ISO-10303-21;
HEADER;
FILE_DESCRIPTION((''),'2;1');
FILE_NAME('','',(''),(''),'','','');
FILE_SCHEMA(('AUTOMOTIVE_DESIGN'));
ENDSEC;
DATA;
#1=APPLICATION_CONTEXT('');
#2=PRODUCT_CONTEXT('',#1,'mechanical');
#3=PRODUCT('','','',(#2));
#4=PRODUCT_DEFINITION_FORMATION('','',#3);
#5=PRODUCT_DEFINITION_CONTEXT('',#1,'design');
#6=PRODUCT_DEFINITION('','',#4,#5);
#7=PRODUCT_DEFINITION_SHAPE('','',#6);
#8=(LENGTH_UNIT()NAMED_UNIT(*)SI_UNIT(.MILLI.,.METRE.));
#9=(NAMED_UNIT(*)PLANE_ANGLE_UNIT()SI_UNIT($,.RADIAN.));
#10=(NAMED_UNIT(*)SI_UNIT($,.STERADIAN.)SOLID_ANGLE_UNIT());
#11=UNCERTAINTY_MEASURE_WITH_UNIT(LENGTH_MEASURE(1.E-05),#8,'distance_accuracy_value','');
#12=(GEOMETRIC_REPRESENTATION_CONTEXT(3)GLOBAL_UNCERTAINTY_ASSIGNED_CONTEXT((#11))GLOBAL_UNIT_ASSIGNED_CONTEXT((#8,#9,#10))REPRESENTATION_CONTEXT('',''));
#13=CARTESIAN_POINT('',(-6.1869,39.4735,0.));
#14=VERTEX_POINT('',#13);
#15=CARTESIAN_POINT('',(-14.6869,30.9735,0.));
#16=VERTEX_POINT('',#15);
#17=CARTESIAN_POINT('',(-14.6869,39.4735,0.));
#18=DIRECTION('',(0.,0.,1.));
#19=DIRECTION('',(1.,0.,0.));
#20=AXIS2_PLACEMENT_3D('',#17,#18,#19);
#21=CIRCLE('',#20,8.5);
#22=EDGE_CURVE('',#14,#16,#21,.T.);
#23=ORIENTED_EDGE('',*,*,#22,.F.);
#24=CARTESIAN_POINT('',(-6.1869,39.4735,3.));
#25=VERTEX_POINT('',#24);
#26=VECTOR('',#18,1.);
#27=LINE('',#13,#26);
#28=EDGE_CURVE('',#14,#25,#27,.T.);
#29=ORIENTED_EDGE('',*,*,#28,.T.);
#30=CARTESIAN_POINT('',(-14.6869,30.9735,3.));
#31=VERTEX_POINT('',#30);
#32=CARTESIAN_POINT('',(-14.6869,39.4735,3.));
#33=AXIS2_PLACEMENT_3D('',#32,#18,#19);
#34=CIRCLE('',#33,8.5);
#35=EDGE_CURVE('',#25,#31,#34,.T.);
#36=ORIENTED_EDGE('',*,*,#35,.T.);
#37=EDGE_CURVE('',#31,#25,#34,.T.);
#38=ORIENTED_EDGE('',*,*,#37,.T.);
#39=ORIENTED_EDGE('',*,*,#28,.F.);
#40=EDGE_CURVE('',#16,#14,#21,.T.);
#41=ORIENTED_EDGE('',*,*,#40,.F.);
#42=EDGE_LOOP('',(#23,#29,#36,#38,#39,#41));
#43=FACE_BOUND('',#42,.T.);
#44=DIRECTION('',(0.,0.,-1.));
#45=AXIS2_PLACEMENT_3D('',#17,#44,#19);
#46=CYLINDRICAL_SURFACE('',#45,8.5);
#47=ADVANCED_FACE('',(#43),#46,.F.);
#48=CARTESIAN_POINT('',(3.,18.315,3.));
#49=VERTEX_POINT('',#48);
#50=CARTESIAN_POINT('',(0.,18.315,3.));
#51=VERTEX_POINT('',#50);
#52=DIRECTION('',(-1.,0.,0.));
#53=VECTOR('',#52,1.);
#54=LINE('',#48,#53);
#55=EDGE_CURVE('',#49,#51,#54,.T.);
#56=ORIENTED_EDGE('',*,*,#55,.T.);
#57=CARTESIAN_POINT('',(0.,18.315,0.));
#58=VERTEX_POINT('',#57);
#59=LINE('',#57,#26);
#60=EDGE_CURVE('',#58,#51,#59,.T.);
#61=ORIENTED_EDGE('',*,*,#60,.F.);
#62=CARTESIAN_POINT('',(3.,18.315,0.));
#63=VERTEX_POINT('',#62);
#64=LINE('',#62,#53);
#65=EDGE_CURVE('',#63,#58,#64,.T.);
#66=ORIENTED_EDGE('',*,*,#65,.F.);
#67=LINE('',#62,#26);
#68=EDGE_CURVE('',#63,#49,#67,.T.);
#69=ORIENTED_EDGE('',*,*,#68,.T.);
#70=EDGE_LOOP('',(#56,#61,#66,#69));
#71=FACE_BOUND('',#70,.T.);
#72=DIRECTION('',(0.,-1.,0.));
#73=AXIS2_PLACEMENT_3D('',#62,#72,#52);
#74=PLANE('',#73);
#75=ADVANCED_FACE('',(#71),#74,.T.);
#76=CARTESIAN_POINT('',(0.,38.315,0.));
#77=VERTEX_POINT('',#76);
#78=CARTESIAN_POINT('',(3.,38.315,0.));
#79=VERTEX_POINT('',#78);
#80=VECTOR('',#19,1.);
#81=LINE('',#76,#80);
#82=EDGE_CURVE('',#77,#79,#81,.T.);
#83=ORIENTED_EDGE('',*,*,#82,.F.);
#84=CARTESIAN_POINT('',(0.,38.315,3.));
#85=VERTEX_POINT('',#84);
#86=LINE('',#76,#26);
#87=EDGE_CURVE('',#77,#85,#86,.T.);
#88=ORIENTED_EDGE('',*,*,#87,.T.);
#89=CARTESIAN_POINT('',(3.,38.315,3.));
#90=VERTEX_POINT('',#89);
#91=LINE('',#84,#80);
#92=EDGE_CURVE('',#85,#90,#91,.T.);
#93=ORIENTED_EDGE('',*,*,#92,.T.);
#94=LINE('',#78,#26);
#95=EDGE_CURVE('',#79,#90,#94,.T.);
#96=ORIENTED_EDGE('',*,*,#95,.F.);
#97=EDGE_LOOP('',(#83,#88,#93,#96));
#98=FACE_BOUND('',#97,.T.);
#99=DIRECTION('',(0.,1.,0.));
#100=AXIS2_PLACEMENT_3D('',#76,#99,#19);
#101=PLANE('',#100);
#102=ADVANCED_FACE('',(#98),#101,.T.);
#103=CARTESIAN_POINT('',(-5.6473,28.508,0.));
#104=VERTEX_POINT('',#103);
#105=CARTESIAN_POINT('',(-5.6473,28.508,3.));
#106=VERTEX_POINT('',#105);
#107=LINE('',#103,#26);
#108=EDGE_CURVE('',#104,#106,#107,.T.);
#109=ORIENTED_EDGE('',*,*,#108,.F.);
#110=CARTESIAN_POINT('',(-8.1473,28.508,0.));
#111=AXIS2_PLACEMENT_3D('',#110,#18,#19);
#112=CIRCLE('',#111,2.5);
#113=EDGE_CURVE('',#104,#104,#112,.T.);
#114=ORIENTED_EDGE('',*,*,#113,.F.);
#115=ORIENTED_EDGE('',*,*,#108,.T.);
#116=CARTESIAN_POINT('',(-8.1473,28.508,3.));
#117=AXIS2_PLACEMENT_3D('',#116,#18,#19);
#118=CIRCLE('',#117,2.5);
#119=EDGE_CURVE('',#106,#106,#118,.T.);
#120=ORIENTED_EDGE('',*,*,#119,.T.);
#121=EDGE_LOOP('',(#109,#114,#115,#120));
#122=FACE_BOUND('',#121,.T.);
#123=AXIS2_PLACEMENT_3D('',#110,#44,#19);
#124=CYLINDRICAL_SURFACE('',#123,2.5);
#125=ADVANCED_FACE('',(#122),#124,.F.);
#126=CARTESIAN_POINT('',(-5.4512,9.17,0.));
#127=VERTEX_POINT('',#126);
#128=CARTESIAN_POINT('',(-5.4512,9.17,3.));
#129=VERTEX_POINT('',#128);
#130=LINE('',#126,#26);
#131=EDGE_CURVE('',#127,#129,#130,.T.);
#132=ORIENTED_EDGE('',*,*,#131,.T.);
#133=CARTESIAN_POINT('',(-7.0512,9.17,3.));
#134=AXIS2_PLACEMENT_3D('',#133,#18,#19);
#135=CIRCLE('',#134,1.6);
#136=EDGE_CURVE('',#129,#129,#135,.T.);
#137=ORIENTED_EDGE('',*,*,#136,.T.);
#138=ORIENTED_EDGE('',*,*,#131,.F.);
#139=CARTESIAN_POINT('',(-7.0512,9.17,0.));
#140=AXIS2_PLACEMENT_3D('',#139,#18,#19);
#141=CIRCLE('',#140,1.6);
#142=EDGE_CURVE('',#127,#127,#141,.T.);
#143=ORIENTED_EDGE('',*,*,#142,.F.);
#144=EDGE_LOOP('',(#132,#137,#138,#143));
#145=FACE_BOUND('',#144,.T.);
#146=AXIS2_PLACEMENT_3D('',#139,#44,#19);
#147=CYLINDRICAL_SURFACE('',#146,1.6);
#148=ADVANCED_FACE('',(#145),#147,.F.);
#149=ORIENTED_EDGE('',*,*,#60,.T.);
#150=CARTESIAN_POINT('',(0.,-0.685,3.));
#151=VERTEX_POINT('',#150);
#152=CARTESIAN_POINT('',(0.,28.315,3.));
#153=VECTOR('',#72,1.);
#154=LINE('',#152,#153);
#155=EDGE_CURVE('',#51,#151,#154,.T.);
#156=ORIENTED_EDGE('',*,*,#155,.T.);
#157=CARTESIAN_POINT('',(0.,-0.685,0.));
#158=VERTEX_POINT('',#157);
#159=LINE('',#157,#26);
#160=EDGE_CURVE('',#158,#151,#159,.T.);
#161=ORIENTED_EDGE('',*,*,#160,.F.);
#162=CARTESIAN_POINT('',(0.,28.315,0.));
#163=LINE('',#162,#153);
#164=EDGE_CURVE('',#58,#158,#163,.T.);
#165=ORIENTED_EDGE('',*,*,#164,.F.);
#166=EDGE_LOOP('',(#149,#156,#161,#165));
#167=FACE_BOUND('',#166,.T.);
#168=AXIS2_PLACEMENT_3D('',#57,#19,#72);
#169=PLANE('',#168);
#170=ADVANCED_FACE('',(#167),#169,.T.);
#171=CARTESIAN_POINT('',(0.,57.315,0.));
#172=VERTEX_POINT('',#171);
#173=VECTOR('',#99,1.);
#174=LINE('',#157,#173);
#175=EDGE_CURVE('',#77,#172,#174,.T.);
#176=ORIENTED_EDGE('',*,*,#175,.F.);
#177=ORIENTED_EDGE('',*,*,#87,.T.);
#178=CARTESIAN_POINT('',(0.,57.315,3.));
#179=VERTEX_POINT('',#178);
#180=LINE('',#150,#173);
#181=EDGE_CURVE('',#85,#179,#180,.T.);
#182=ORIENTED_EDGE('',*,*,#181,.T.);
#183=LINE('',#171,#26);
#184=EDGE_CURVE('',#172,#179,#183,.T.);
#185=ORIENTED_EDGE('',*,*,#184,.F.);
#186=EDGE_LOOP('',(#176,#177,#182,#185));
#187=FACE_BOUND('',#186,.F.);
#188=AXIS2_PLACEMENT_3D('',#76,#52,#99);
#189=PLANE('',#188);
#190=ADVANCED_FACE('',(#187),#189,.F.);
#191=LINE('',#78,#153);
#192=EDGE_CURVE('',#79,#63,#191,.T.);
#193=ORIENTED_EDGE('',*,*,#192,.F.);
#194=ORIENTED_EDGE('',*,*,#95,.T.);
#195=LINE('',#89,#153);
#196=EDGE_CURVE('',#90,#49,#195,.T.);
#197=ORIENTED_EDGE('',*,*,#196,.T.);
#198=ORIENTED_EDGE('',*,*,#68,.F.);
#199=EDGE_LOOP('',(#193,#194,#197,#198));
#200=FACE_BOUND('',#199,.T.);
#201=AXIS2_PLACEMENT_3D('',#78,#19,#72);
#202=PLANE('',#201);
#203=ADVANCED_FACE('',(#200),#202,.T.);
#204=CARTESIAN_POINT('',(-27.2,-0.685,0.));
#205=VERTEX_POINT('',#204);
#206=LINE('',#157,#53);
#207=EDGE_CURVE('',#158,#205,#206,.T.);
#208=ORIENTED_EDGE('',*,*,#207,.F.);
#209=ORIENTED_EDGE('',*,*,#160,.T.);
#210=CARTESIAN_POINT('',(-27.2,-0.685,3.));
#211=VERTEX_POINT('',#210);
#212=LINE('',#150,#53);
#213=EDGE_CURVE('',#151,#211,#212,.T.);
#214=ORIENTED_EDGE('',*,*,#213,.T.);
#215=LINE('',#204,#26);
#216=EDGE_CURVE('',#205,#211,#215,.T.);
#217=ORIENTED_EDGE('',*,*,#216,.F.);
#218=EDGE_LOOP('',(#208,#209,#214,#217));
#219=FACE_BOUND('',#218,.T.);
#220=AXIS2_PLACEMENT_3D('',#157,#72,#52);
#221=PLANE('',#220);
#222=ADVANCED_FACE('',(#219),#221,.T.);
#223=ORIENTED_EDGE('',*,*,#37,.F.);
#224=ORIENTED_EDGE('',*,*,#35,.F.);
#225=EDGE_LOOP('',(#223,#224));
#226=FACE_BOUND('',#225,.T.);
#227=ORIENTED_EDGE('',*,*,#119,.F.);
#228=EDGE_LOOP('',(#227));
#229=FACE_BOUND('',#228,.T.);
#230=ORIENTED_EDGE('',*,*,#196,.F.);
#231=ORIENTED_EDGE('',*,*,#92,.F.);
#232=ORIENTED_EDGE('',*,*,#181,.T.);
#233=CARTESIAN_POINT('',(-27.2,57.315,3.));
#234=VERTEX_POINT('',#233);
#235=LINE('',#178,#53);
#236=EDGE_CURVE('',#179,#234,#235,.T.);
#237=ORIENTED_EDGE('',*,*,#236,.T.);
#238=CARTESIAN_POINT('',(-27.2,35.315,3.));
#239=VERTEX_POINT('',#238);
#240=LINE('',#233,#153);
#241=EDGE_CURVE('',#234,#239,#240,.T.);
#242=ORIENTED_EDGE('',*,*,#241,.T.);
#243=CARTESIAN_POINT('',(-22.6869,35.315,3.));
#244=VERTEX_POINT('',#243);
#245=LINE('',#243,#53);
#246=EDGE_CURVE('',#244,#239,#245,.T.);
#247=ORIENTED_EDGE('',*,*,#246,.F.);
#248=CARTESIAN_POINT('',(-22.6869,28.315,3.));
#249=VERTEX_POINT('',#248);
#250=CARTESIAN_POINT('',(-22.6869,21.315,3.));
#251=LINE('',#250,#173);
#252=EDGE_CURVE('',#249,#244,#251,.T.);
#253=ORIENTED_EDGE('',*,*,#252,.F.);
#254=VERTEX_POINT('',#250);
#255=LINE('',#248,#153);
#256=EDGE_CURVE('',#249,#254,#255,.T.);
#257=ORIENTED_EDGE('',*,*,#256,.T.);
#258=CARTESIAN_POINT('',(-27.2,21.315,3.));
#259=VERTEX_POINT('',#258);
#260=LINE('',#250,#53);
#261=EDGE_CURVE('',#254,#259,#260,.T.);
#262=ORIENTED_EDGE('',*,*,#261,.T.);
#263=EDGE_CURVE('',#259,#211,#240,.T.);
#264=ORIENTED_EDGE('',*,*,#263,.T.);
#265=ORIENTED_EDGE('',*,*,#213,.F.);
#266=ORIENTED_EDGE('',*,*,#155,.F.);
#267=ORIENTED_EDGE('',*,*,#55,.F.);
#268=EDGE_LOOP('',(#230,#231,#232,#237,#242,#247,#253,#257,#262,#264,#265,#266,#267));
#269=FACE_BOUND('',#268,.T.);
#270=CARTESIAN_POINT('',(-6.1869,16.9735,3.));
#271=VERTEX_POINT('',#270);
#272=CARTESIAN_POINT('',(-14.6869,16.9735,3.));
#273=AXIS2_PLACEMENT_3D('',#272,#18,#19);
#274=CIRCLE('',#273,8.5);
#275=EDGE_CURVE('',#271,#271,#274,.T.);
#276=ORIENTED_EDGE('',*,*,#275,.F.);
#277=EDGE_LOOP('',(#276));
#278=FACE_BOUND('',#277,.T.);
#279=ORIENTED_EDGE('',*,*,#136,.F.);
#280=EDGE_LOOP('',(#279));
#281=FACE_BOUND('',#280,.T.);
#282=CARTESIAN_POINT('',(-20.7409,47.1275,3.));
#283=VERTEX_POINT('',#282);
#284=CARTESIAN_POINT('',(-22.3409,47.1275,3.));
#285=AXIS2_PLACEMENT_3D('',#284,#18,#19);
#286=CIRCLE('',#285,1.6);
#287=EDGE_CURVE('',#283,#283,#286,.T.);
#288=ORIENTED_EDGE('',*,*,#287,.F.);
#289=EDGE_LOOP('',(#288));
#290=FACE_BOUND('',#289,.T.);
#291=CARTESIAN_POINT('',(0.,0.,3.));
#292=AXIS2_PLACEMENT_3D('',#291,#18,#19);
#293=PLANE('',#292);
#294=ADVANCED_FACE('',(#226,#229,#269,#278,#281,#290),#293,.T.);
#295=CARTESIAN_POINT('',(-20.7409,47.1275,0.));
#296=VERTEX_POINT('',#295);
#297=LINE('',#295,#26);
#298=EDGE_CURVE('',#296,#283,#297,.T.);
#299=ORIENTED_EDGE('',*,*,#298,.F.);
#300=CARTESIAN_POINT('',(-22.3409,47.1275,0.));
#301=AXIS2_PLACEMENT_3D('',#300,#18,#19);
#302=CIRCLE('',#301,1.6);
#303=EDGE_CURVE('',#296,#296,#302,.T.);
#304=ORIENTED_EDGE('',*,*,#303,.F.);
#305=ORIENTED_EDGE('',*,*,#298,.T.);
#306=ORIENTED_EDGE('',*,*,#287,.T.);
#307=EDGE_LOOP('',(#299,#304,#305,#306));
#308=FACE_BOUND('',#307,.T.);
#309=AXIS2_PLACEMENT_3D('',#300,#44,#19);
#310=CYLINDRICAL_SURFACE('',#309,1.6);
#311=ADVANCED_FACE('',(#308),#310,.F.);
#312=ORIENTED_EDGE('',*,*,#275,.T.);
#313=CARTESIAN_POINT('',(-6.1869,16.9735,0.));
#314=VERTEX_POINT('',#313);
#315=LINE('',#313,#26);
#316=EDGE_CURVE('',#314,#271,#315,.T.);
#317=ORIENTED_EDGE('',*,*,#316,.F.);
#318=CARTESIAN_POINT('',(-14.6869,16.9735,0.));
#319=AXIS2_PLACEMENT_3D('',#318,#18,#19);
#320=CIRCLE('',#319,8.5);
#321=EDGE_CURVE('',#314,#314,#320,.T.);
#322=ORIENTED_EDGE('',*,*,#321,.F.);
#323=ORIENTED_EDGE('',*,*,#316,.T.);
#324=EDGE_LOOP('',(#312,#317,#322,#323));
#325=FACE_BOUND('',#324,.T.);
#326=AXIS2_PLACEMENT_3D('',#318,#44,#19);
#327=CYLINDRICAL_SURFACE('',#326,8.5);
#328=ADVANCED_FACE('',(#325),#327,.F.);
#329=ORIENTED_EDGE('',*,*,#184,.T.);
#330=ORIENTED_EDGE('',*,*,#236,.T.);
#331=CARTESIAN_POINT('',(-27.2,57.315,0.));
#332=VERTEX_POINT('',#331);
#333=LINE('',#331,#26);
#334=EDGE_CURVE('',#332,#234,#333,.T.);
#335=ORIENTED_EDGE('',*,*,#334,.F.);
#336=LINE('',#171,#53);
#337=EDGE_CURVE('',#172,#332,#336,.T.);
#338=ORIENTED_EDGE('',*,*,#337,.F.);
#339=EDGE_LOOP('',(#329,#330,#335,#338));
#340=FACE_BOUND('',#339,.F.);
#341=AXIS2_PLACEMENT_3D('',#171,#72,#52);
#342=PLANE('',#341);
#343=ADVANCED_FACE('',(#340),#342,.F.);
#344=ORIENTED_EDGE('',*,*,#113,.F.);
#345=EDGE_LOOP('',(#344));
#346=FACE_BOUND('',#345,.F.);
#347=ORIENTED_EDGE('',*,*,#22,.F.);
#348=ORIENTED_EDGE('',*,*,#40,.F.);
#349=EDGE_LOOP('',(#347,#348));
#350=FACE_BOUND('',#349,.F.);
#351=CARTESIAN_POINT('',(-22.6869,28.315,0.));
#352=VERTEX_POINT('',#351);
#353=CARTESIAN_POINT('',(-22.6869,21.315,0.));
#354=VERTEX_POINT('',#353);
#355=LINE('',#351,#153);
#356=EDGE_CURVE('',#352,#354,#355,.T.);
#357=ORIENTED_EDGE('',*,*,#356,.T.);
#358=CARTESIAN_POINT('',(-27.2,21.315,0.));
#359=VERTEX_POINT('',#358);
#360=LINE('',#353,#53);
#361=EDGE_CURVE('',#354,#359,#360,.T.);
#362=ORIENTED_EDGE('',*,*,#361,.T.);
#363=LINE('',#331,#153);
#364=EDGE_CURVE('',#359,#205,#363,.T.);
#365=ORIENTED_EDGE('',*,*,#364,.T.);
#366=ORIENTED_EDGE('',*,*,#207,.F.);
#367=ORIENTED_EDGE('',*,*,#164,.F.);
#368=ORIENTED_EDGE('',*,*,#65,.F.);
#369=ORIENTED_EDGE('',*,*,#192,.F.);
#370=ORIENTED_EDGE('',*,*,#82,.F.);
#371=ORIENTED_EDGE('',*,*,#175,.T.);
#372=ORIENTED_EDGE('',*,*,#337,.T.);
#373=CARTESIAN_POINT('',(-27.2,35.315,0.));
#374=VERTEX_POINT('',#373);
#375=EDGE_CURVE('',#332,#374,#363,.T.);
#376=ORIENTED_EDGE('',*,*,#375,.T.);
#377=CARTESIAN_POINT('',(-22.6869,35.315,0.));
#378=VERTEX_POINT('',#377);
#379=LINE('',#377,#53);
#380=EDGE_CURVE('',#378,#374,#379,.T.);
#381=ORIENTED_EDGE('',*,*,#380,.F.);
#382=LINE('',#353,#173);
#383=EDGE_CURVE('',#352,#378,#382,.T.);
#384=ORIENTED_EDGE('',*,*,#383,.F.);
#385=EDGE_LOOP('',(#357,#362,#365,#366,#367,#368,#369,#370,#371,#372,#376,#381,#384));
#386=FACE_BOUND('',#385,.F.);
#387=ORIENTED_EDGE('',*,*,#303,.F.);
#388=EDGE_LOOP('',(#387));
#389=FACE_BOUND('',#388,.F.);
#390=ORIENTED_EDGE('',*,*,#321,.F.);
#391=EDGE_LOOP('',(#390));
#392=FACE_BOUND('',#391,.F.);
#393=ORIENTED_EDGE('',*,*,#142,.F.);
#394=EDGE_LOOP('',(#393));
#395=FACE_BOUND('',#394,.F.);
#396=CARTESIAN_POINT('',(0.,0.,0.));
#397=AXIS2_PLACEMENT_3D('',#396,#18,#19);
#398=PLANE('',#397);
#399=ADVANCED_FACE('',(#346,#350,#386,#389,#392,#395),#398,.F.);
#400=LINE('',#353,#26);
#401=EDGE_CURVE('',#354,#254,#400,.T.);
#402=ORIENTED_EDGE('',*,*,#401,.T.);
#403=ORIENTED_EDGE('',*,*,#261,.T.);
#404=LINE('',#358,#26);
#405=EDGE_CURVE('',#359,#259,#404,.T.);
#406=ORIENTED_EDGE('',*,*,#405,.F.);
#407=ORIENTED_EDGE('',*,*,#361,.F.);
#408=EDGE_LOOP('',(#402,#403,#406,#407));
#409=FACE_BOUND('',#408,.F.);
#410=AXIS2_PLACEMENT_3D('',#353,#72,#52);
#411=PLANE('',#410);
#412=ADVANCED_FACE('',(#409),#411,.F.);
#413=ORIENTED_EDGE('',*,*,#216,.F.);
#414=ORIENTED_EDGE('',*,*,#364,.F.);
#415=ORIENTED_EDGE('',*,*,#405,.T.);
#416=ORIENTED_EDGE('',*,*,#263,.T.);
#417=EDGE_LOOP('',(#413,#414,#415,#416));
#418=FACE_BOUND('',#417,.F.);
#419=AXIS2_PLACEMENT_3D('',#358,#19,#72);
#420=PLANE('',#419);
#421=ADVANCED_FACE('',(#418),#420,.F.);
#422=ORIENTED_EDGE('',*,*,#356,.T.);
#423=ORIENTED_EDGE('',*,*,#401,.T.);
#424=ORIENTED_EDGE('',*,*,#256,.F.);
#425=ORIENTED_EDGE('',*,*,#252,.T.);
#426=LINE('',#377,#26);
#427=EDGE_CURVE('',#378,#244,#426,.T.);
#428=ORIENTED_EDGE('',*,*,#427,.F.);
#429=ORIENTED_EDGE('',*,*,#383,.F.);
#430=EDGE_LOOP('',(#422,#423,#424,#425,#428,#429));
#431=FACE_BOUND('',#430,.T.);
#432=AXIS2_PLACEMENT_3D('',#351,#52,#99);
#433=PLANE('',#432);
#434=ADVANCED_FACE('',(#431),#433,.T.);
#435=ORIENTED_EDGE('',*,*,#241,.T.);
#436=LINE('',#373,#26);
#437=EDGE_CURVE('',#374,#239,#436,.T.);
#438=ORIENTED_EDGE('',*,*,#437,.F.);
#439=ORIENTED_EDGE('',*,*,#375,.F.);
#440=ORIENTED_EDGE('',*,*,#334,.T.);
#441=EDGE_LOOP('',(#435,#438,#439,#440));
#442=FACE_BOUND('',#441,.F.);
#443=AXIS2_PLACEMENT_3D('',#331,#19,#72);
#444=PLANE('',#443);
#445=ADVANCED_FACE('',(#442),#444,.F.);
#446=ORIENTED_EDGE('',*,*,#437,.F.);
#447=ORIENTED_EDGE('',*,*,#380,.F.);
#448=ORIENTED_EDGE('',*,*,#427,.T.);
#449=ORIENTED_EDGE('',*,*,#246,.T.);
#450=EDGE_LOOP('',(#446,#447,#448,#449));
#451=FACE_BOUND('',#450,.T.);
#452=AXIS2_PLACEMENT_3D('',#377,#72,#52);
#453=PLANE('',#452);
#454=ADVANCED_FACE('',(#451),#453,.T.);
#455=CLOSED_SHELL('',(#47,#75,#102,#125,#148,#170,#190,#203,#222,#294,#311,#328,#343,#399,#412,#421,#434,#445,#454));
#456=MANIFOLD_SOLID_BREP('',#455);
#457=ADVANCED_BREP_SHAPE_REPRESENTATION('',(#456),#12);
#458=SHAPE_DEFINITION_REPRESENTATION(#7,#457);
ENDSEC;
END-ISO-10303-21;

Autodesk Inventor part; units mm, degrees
ref_plane "YZ Plane" through (0, 0, 0) normal (1, 0, 0) x (0, 1, 0)
ref_plane "XZ Plane" through (0, 0, 0) normal (0, 1, 0) x (-1, 0, 0)
ref_plane "XY Plane" through (0, 0, 0) normal (0, 0, 1) x (1, 0, 0)
sketch "Sketch1" plane through (0, 0, 0) normal (0, 0, 1) x (1, 0, 0)
  circle A0 centre (-14.6869, 39.4735) radius 8.5
  circle A1 centre (-22.3409, 47.1275) radius 1.6
  circle A2 centre (-7.0512, 9.17) radius 1.6
  circle A3 centre (-8.1473, 28.508) radius 2.5
  circle A4 centre (-14.6869, 16.9735) radius 8.5
  line L0 (0, 28.315) -> (0, -0.685)
  line L1 (0, -0.685) -> (-27.2, -0.685)
  line L2 (-27.2, -0.685) -> (0, -0.685)
  line L3 (0, -0.685) -> (0, 57.315)
  line L4 (0, 57.315) -> (-27.2, 57.315)
  line L5 (-27.2, 57.315) -> (-27.2, -0.685)
  line L6 (0, 28.315) -> (0, 38.315)
  line L7 (0, 38.315) -> (3, 38.315)
  line L8 (3, 38.315) -> (3, 18.315)
  line L9 (3, 18.315) -> (0, 18.315)
  line L10 (-14.6869, 39.4735) -> (-14.6869, 28.315)
  line L11 (-14.6869, 28.315) -> (-22.6869, 28.315)
  line L12 (-22.6869, 28.315) -> (-22.6869, 21.315)
  line L13 (-22.6869, 21.315) -> (-22.6869, 35.315)
  line L14 (-22.6869, 35.315) -> (-27.2, 35.315)
  line L15 (-22.6869, 21.315) -> (-27.2, 21.315)
  point P0 (0, 0)
  point P1 (-5.6598, 20.3223)
  dimension "d1" = 29
  dimension "d2" = 58
  dimension "d3" = 10
  dimension "d4" = 3
  dimension "d5" = 20
  dimension "d10" = 8
  dimension "d11" = 7
  dimension "d12" = 14
extrude "Extrusion2" add sketch "Sketch1" along normal blind 3 contours L13 L14 L5 L4 L3 L0 L1 L15 L12 | L0 L3 L7 L8 L9
sketch "Sketch2" plane through (0, 0, 3) normal (0, 0, 1) x (1, 0, 0)
  circle A0 centre (-14.6869, 16.9735) radius 8.5 projected
  circle A1 centre (-14.6869, 39.4735) radius 8.5 projected
  circle A2 centre (-8.1473, 28.508) radius 2.5 projected
  circle A3 centre (-7.0512, 9.17) radius 1.6 projected
  circle A4 centre (-22.3409, 47.1275) radius 1.6 projected
  line L0 (0, 18.315) -> (3, 18.315) projected
  line L1 (3, 18.315) -> (3, 38.315) projected
  line L2 (3, 38.315) -> (0, 38.315) projected
  line L3 (0, 38.315) -> (0, 57.315) projected
  line L4 (0, 57.315) -> (-27.2, 57.315) projected
  line L5 (-27.2, 57.315) -> (-27.2, 35.315) projected
  line L6 (-27.2, 35.315) -> (-22.6869, 35.315) projected
  line L7 (-22.6869, 35.315) -> (-22.6869, 21.315) projected
  line L8 (-22.6869, 21.315) -> (-27.2, 21.315) projected
  line L9 (-27.2, 21.315) -> (-27.2, -0.685) projected
  line L10 (-27.2, -0.685) -> (0, -0.685) projected
  line L11 (0, -0.685) -> (0, 18.315) projected
  line L12 (-40, 69) -> (-28.75, 69)
  point P0 (0, 0)
  dimension "d15" = 17
  dimension "d16" = 3.2
  dimension "d17" = 5
  dimension "d18" = 22.5
  dimension "d19" = 7.654
  dimension "d20" = 7.654
  dimension "d21" = 7.6357
  dimension "d22" = 7.8035
  dimension "d23" = 6.5396
  dimension "d24" = 11.5345
  dimension "d25" = 10.9655
  dimension "d26" = 11.25
equation "\"d26\" = 0.5 * d24 + 0.5 * d25"
properties part number "srf"
